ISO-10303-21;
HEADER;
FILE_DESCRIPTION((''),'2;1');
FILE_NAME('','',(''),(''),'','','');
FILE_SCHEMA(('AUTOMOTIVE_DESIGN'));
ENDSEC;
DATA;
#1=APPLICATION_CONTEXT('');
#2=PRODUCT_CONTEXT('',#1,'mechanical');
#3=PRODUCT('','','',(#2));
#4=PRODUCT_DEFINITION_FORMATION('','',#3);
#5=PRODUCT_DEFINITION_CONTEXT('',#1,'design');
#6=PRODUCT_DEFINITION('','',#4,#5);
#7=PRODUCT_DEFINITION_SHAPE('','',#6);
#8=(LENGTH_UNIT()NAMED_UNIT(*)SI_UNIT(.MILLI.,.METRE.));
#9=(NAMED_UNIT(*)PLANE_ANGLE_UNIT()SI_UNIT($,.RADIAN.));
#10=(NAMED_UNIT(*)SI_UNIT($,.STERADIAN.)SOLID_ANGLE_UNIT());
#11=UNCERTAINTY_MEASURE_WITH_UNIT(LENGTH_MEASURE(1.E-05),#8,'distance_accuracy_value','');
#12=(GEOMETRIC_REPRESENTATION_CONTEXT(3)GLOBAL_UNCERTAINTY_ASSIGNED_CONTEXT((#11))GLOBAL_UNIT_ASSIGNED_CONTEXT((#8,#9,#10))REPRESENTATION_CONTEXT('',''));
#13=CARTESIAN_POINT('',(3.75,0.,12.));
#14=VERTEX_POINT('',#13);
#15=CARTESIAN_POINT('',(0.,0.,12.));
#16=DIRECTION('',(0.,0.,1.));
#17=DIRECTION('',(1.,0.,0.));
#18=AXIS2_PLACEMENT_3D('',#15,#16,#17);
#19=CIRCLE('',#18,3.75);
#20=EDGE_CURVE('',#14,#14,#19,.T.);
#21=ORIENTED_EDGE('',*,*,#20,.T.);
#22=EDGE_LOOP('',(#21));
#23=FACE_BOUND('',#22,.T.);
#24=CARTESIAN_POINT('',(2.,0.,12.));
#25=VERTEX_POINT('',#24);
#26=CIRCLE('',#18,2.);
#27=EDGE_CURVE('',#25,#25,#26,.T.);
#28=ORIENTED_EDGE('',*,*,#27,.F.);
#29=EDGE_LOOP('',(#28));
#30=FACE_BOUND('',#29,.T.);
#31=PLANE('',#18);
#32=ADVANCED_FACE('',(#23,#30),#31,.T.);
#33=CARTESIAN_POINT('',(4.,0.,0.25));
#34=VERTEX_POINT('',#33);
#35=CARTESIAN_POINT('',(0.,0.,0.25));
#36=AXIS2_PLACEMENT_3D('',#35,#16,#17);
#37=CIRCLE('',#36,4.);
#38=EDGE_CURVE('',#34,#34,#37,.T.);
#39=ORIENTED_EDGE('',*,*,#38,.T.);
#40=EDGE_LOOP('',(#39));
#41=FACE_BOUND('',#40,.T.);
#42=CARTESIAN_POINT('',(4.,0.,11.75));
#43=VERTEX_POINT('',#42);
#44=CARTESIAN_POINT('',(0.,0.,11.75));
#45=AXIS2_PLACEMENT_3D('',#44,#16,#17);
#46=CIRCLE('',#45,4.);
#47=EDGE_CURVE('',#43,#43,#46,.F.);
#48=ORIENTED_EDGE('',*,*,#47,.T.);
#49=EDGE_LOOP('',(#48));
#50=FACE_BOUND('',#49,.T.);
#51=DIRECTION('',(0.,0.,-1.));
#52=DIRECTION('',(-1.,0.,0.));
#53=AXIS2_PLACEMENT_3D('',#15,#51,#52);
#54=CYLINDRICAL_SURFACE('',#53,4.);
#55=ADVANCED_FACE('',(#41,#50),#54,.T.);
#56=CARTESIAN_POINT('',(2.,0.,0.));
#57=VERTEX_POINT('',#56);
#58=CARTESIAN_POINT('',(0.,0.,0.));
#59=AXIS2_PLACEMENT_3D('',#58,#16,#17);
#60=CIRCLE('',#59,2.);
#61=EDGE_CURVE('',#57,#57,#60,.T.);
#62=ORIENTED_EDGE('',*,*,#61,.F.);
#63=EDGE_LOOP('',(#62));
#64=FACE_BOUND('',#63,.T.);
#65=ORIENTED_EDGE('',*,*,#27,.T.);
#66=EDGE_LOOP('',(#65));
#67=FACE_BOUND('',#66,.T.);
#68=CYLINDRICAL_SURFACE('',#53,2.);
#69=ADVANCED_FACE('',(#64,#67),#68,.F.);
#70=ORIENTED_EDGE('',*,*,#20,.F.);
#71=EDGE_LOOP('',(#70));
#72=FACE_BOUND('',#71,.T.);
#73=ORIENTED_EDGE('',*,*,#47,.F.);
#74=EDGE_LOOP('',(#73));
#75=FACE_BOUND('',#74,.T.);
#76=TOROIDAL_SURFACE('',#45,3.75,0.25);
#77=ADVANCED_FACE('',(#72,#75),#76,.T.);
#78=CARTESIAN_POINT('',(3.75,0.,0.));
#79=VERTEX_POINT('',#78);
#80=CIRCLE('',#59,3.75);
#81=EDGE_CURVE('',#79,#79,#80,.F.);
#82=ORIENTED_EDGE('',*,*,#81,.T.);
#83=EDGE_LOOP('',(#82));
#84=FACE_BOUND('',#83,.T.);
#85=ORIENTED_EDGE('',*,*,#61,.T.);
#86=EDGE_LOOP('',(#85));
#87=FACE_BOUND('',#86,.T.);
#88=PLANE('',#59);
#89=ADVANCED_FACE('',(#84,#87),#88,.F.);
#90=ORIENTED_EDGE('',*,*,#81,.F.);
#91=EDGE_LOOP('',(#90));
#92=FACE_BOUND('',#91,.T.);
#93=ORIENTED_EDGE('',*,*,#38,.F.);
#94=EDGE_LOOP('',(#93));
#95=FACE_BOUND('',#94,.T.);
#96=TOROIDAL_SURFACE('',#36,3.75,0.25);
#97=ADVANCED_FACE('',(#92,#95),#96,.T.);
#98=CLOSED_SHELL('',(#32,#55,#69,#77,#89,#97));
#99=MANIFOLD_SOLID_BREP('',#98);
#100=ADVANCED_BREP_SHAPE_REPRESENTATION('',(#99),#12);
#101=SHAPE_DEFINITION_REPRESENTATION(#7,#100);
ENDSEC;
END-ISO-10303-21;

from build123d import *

# Parameters (mm, degrees)
SKETCH1_R           = 4
SKETCH1_R_2         = 2
BOSS_EXTRUDE1_DEPTH = 12
FILLET1_R           = 0.25


with BuildPart() as part:
    # Sketch1 → Boss-Extrude1 (new body)
    with BuildSketch(Plane.XY):
        Circle(SKETCH1_R)
        Circle(SKETCH1_R_2, mode=Mode.SUBTRACT)
    extrude(amount=BOSS_EXTRUDE1_DEPTH)

    # Fillet1
    fillet1_edges = [part.edges().sort_by_distance(p)[0] for p in [
        (-4, 0, 0),
        (-4, 0, 12),
    ]]
    fillet(fillet1_edges, radius=FILLET1_R)


solid = part.part
